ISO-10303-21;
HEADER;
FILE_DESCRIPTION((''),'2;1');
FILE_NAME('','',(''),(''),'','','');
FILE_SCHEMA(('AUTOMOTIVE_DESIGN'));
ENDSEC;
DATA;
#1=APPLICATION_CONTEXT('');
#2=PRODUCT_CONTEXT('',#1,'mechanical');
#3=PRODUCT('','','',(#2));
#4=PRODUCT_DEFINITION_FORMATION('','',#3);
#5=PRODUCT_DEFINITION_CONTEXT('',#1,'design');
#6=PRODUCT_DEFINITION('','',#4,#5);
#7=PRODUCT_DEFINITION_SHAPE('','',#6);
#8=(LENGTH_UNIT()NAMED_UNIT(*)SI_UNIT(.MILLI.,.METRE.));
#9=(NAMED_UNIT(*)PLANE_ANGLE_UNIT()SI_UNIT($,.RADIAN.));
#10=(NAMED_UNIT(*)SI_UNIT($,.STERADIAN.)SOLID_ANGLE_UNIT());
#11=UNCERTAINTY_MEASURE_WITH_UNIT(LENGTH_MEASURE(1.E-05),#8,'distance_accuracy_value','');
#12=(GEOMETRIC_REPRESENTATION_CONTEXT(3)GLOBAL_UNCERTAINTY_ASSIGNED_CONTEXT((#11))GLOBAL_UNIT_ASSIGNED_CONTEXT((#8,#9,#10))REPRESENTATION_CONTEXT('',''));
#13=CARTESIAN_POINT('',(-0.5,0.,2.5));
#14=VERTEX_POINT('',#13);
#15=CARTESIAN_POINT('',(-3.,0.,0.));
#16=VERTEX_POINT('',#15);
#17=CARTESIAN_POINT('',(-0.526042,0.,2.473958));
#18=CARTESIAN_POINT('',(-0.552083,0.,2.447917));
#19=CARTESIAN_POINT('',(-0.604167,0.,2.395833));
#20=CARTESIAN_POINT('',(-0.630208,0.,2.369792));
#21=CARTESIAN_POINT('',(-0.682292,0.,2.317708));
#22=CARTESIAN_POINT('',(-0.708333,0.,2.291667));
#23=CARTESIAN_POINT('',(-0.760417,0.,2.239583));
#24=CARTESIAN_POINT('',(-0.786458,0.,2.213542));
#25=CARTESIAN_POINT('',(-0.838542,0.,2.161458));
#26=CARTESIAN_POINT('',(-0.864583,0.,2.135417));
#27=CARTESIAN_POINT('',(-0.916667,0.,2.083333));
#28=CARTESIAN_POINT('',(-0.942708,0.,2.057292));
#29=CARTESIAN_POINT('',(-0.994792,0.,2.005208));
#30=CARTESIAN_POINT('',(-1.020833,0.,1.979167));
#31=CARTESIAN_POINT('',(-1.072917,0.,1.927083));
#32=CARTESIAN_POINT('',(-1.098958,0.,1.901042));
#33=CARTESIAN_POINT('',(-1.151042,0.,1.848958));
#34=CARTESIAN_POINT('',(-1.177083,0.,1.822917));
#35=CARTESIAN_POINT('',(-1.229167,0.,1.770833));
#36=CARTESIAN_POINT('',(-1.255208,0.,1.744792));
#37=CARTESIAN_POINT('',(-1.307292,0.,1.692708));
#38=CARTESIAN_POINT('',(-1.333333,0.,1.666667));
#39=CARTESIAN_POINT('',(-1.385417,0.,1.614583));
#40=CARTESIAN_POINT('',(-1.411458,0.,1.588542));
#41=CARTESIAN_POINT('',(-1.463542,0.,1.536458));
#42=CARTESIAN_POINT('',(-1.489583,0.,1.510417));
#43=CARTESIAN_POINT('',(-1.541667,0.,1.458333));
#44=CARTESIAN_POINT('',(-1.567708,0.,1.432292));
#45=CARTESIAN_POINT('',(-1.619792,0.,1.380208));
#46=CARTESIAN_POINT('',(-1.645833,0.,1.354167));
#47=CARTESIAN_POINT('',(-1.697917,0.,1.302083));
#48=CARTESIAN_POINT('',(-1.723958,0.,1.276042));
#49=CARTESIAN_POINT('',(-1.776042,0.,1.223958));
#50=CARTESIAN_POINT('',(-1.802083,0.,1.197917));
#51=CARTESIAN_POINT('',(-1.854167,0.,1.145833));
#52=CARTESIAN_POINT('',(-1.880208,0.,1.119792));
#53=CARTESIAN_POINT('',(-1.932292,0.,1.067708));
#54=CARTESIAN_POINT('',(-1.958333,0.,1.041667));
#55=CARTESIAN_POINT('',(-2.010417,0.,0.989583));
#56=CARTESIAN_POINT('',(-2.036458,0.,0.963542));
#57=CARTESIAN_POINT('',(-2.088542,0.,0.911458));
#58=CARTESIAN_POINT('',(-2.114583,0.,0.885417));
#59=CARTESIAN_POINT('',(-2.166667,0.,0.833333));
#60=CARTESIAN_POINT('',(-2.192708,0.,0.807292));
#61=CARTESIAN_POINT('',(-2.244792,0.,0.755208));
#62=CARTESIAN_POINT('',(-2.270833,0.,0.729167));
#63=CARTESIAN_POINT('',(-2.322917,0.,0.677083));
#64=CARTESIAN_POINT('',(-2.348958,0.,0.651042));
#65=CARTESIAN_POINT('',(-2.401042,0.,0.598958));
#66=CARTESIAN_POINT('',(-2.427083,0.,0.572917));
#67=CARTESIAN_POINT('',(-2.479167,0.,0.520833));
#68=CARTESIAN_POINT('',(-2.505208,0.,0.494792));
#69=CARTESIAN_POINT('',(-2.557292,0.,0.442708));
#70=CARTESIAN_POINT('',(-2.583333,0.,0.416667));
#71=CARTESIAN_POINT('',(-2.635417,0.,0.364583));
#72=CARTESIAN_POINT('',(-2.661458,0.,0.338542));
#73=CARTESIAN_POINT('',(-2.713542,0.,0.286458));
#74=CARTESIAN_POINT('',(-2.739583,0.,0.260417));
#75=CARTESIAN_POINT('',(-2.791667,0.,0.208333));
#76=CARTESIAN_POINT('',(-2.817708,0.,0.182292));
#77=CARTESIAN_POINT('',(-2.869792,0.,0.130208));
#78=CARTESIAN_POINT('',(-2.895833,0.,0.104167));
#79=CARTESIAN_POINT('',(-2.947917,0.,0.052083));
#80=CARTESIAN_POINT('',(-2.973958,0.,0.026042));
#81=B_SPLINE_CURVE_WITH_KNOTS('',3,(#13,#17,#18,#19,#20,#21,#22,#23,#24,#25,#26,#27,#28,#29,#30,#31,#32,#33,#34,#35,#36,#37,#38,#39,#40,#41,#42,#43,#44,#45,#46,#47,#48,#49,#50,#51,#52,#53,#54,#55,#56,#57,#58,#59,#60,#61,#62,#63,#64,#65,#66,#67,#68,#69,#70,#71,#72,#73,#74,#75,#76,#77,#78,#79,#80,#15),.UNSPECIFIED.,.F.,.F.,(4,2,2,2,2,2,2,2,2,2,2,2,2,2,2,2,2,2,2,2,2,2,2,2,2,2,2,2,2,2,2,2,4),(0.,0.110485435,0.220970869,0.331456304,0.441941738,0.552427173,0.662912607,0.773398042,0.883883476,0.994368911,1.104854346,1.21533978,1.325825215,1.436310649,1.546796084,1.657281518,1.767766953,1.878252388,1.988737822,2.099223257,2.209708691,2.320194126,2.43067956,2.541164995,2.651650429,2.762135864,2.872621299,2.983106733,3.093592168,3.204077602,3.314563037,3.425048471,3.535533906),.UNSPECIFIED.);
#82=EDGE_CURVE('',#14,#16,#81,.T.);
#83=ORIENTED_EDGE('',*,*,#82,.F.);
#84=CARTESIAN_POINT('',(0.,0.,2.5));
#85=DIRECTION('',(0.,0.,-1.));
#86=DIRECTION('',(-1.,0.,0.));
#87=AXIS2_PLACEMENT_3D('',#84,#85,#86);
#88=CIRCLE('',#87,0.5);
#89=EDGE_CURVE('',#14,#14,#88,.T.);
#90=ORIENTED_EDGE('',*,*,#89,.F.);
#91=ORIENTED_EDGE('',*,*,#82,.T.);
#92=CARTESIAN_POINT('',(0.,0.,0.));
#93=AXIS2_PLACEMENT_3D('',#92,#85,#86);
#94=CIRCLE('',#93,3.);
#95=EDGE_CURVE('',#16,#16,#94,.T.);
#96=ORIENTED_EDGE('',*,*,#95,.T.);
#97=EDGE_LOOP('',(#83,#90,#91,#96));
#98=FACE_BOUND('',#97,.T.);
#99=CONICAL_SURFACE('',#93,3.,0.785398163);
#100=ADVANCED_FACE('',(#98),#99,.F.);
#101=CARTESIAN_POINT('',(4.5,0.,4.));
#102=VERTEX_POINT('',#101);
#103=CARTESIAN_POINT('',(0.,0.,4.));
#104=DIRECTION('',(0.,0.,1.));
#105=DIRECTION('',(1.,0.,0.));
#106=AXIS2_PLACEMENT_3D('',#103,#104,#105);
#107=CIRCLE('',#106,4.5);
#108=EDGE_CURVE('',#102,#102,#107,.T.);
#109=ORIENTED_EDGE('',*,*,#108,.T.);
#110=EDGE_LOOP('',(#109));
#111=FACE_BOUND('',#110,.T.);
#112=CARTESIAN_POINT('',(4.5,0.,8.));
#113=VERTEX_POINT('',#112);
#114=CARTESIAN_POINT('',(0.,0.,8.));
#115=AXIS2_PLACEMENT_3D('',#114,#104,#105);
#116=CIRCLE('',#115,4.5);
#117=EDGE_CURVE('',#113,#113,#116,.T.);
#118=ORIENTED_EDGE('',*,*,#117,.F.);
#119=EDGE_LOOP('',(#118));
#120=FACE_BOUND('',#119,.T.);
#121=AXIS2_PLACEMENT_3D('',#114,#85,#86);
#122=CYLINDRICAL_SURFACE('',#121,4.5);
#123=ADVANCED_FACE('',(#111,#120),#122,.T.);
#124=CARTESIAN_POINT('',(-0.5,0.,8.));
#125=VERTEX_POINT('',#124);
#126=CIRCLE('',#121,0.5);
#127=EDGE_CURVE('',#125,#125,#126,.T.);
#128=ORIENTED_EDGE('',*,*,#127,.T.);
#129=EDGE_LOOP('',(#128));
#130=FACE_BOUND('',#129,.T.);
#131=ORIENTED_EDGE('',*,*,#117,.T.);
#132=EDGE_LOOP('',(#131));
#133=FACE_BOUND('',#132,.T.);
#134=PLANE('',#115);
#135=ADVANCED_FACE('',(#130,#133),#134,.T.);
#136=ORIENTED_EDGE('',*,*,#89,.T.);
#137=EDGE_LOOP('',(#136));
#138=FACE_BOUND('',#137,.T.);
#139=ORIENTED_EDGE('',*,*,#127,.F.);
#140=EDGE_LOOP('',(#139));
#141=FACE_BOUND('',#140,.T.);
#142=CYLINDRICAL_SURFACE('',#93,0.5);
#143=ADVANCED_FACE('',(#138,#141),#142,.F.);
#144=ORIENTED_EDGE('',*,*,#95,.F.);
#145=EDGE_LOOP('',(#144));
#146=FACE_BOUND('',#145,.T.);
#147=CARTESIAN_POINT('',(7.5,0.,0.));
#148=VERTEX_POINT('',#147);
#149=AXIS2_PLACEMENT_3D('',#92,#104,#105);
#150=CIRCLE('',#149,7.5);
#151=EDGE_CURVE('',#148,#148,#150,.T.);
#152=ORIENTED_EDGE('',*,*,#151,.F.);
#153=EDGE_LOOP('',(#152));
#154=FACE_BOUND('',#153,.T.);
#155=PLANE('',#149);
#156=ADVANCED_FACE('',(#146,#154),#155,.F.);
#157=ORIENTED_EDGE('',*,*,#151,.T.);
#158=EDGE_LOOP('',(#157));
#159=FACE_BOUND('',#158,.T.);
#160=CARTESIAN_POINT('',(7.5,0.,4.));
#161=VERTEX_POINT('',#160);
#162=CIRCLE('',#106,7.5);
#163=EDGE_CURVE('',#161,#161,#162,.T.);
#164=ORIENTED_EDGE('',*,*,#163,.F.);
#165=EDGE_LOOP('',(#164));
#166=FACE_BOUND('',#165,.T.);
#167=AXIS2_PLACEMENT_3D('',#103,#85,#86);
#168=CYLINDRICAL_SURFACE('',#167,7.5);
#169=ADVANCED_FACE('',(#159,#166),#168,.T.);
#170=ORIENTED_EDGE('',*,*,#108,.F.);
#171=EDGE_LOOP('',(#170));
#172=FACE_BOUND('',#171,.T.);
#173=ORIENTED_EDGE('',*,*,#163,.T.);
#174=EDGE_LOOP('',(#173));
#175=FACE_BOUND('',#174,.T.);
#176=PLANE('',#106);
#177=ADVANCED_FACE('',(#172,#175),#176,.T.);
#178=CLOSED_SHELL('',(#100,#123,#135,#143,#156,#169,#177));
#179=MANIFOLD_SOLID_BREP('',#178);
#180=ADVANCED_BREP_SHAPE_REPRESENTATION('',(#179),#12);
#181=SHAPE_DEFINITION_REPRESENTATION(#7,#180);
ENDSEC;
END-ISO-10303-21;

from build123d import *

# Parameters (mm, degrees)
SKETCH_1_R            = 4.5
EXTRUDE_1_DEPTH       = 8
SKETCH_3_R            = 7.5
EXTRUDE_2_DEPTH       = 4
F_1_0MM_1_D           = 1
F_1_0MM_1_CSINK_D     = 6
F_1_0MM_1_CSINK_ANGLE = 90


with BuildPart() as part:
    # 草图1 → 凸台-拉伸1 (new body)
    with BuildSketch(Plane.XY):
        Circle(SKETCH_1_R)
    extrude(amount=EXTRUDE_1_DEPTH)

    # 草图3 → 凸台-拉伸2 (add)
    with BuildSketch(Plane.XY):
        Circle(SKETCH_3_R)
    extrude(amount=EXTRUDE_2_DEPTH)

    # Ø1.0mm 暗销孔1 (through all)
    with Locations(Plane(origin=(0, 0, 0), x_dir=(-1, 0, 0), z_dir=(0, 0, -1))):
        with Locations((0, 0)):
            CounterSinkHole(F_1_0MM_1_D / 2, F_1_0MM_1_CSINK_D / 2, counter_sink_angle=F_1_0MM_1_CSINK_ANGLE)


solid = part.part
